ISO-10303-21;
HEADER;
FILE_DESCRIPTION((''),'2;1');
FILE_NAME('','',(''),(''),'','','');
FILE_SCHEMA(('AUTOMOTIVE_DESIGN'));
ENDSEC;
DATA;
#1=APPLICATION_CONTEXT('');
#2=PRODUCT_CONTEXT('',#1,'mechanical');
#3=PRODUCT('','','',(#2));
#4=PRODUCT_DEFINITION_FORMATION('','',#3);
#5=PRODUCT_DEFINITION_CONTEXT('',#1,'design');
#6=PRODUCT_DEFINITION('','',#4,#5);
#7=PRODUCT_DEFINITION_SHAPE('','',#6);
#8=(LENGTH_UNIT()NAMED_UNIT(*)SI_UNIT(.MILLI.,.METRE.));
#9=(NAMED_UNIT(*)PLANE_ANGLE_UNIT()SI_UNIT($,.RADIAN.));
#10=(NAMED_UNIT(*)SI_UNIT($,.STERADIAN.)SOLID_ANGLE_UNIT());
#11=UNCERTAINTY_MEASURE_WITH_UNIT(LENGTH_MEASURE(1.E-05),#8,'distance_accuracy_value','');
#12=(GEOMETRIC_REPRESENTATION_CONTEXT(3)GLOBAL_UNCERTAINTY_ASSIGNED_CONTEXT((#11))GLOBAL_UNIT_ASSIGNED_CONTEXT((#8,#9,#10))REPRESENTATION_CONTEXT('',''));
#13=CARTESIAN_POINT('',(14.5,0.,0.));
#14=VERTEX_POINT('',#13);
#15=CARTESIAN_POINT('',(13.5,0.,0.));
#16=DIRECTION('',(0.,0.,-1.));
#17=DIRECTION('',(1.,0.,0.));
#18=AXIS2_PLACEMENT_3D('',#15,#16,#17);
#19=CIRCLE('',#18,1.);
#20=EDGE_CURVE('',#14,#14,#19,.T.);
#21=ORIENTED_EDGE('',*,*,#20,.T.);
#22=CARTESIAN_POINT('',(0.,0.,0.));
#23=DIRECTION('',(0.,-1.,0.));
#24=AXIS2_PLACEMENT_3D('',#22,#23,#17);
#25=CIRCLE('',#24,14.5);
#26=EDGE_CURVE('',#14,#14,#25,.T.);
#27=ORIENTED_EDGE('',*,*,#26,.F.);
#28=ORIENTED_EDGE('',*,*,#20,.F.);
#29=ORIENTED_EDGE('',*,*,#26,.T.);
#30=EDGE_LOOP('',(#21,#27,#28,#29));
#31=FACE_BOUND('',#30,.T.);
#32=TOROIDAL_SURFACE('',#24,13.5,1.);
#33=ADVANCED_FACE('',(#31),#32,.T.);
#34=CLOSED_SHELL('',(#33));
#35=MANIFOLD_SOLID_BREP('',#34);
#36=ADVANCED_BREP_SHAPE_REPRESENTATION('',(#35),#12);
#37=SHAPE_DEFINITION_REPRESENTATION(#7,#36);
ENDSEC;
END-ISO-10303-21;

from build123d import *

# Parameters (mm, degrees)
F1_R = 1


with BuildPart() as f2:
    # F2: sweep along a path in F0
    with BuildLine(Plane.XZ) as f2_path:
        CenterArc((0, 0), 13.5, 0, 360)
    # F1 (on Top) → F2 (sweep)
    with BuildSketch(Plane.XY):
        with Locations((13.5, 0)):
            Circle(F1_R)
    sweep(path=f2_path.line)


solid = f2.part
